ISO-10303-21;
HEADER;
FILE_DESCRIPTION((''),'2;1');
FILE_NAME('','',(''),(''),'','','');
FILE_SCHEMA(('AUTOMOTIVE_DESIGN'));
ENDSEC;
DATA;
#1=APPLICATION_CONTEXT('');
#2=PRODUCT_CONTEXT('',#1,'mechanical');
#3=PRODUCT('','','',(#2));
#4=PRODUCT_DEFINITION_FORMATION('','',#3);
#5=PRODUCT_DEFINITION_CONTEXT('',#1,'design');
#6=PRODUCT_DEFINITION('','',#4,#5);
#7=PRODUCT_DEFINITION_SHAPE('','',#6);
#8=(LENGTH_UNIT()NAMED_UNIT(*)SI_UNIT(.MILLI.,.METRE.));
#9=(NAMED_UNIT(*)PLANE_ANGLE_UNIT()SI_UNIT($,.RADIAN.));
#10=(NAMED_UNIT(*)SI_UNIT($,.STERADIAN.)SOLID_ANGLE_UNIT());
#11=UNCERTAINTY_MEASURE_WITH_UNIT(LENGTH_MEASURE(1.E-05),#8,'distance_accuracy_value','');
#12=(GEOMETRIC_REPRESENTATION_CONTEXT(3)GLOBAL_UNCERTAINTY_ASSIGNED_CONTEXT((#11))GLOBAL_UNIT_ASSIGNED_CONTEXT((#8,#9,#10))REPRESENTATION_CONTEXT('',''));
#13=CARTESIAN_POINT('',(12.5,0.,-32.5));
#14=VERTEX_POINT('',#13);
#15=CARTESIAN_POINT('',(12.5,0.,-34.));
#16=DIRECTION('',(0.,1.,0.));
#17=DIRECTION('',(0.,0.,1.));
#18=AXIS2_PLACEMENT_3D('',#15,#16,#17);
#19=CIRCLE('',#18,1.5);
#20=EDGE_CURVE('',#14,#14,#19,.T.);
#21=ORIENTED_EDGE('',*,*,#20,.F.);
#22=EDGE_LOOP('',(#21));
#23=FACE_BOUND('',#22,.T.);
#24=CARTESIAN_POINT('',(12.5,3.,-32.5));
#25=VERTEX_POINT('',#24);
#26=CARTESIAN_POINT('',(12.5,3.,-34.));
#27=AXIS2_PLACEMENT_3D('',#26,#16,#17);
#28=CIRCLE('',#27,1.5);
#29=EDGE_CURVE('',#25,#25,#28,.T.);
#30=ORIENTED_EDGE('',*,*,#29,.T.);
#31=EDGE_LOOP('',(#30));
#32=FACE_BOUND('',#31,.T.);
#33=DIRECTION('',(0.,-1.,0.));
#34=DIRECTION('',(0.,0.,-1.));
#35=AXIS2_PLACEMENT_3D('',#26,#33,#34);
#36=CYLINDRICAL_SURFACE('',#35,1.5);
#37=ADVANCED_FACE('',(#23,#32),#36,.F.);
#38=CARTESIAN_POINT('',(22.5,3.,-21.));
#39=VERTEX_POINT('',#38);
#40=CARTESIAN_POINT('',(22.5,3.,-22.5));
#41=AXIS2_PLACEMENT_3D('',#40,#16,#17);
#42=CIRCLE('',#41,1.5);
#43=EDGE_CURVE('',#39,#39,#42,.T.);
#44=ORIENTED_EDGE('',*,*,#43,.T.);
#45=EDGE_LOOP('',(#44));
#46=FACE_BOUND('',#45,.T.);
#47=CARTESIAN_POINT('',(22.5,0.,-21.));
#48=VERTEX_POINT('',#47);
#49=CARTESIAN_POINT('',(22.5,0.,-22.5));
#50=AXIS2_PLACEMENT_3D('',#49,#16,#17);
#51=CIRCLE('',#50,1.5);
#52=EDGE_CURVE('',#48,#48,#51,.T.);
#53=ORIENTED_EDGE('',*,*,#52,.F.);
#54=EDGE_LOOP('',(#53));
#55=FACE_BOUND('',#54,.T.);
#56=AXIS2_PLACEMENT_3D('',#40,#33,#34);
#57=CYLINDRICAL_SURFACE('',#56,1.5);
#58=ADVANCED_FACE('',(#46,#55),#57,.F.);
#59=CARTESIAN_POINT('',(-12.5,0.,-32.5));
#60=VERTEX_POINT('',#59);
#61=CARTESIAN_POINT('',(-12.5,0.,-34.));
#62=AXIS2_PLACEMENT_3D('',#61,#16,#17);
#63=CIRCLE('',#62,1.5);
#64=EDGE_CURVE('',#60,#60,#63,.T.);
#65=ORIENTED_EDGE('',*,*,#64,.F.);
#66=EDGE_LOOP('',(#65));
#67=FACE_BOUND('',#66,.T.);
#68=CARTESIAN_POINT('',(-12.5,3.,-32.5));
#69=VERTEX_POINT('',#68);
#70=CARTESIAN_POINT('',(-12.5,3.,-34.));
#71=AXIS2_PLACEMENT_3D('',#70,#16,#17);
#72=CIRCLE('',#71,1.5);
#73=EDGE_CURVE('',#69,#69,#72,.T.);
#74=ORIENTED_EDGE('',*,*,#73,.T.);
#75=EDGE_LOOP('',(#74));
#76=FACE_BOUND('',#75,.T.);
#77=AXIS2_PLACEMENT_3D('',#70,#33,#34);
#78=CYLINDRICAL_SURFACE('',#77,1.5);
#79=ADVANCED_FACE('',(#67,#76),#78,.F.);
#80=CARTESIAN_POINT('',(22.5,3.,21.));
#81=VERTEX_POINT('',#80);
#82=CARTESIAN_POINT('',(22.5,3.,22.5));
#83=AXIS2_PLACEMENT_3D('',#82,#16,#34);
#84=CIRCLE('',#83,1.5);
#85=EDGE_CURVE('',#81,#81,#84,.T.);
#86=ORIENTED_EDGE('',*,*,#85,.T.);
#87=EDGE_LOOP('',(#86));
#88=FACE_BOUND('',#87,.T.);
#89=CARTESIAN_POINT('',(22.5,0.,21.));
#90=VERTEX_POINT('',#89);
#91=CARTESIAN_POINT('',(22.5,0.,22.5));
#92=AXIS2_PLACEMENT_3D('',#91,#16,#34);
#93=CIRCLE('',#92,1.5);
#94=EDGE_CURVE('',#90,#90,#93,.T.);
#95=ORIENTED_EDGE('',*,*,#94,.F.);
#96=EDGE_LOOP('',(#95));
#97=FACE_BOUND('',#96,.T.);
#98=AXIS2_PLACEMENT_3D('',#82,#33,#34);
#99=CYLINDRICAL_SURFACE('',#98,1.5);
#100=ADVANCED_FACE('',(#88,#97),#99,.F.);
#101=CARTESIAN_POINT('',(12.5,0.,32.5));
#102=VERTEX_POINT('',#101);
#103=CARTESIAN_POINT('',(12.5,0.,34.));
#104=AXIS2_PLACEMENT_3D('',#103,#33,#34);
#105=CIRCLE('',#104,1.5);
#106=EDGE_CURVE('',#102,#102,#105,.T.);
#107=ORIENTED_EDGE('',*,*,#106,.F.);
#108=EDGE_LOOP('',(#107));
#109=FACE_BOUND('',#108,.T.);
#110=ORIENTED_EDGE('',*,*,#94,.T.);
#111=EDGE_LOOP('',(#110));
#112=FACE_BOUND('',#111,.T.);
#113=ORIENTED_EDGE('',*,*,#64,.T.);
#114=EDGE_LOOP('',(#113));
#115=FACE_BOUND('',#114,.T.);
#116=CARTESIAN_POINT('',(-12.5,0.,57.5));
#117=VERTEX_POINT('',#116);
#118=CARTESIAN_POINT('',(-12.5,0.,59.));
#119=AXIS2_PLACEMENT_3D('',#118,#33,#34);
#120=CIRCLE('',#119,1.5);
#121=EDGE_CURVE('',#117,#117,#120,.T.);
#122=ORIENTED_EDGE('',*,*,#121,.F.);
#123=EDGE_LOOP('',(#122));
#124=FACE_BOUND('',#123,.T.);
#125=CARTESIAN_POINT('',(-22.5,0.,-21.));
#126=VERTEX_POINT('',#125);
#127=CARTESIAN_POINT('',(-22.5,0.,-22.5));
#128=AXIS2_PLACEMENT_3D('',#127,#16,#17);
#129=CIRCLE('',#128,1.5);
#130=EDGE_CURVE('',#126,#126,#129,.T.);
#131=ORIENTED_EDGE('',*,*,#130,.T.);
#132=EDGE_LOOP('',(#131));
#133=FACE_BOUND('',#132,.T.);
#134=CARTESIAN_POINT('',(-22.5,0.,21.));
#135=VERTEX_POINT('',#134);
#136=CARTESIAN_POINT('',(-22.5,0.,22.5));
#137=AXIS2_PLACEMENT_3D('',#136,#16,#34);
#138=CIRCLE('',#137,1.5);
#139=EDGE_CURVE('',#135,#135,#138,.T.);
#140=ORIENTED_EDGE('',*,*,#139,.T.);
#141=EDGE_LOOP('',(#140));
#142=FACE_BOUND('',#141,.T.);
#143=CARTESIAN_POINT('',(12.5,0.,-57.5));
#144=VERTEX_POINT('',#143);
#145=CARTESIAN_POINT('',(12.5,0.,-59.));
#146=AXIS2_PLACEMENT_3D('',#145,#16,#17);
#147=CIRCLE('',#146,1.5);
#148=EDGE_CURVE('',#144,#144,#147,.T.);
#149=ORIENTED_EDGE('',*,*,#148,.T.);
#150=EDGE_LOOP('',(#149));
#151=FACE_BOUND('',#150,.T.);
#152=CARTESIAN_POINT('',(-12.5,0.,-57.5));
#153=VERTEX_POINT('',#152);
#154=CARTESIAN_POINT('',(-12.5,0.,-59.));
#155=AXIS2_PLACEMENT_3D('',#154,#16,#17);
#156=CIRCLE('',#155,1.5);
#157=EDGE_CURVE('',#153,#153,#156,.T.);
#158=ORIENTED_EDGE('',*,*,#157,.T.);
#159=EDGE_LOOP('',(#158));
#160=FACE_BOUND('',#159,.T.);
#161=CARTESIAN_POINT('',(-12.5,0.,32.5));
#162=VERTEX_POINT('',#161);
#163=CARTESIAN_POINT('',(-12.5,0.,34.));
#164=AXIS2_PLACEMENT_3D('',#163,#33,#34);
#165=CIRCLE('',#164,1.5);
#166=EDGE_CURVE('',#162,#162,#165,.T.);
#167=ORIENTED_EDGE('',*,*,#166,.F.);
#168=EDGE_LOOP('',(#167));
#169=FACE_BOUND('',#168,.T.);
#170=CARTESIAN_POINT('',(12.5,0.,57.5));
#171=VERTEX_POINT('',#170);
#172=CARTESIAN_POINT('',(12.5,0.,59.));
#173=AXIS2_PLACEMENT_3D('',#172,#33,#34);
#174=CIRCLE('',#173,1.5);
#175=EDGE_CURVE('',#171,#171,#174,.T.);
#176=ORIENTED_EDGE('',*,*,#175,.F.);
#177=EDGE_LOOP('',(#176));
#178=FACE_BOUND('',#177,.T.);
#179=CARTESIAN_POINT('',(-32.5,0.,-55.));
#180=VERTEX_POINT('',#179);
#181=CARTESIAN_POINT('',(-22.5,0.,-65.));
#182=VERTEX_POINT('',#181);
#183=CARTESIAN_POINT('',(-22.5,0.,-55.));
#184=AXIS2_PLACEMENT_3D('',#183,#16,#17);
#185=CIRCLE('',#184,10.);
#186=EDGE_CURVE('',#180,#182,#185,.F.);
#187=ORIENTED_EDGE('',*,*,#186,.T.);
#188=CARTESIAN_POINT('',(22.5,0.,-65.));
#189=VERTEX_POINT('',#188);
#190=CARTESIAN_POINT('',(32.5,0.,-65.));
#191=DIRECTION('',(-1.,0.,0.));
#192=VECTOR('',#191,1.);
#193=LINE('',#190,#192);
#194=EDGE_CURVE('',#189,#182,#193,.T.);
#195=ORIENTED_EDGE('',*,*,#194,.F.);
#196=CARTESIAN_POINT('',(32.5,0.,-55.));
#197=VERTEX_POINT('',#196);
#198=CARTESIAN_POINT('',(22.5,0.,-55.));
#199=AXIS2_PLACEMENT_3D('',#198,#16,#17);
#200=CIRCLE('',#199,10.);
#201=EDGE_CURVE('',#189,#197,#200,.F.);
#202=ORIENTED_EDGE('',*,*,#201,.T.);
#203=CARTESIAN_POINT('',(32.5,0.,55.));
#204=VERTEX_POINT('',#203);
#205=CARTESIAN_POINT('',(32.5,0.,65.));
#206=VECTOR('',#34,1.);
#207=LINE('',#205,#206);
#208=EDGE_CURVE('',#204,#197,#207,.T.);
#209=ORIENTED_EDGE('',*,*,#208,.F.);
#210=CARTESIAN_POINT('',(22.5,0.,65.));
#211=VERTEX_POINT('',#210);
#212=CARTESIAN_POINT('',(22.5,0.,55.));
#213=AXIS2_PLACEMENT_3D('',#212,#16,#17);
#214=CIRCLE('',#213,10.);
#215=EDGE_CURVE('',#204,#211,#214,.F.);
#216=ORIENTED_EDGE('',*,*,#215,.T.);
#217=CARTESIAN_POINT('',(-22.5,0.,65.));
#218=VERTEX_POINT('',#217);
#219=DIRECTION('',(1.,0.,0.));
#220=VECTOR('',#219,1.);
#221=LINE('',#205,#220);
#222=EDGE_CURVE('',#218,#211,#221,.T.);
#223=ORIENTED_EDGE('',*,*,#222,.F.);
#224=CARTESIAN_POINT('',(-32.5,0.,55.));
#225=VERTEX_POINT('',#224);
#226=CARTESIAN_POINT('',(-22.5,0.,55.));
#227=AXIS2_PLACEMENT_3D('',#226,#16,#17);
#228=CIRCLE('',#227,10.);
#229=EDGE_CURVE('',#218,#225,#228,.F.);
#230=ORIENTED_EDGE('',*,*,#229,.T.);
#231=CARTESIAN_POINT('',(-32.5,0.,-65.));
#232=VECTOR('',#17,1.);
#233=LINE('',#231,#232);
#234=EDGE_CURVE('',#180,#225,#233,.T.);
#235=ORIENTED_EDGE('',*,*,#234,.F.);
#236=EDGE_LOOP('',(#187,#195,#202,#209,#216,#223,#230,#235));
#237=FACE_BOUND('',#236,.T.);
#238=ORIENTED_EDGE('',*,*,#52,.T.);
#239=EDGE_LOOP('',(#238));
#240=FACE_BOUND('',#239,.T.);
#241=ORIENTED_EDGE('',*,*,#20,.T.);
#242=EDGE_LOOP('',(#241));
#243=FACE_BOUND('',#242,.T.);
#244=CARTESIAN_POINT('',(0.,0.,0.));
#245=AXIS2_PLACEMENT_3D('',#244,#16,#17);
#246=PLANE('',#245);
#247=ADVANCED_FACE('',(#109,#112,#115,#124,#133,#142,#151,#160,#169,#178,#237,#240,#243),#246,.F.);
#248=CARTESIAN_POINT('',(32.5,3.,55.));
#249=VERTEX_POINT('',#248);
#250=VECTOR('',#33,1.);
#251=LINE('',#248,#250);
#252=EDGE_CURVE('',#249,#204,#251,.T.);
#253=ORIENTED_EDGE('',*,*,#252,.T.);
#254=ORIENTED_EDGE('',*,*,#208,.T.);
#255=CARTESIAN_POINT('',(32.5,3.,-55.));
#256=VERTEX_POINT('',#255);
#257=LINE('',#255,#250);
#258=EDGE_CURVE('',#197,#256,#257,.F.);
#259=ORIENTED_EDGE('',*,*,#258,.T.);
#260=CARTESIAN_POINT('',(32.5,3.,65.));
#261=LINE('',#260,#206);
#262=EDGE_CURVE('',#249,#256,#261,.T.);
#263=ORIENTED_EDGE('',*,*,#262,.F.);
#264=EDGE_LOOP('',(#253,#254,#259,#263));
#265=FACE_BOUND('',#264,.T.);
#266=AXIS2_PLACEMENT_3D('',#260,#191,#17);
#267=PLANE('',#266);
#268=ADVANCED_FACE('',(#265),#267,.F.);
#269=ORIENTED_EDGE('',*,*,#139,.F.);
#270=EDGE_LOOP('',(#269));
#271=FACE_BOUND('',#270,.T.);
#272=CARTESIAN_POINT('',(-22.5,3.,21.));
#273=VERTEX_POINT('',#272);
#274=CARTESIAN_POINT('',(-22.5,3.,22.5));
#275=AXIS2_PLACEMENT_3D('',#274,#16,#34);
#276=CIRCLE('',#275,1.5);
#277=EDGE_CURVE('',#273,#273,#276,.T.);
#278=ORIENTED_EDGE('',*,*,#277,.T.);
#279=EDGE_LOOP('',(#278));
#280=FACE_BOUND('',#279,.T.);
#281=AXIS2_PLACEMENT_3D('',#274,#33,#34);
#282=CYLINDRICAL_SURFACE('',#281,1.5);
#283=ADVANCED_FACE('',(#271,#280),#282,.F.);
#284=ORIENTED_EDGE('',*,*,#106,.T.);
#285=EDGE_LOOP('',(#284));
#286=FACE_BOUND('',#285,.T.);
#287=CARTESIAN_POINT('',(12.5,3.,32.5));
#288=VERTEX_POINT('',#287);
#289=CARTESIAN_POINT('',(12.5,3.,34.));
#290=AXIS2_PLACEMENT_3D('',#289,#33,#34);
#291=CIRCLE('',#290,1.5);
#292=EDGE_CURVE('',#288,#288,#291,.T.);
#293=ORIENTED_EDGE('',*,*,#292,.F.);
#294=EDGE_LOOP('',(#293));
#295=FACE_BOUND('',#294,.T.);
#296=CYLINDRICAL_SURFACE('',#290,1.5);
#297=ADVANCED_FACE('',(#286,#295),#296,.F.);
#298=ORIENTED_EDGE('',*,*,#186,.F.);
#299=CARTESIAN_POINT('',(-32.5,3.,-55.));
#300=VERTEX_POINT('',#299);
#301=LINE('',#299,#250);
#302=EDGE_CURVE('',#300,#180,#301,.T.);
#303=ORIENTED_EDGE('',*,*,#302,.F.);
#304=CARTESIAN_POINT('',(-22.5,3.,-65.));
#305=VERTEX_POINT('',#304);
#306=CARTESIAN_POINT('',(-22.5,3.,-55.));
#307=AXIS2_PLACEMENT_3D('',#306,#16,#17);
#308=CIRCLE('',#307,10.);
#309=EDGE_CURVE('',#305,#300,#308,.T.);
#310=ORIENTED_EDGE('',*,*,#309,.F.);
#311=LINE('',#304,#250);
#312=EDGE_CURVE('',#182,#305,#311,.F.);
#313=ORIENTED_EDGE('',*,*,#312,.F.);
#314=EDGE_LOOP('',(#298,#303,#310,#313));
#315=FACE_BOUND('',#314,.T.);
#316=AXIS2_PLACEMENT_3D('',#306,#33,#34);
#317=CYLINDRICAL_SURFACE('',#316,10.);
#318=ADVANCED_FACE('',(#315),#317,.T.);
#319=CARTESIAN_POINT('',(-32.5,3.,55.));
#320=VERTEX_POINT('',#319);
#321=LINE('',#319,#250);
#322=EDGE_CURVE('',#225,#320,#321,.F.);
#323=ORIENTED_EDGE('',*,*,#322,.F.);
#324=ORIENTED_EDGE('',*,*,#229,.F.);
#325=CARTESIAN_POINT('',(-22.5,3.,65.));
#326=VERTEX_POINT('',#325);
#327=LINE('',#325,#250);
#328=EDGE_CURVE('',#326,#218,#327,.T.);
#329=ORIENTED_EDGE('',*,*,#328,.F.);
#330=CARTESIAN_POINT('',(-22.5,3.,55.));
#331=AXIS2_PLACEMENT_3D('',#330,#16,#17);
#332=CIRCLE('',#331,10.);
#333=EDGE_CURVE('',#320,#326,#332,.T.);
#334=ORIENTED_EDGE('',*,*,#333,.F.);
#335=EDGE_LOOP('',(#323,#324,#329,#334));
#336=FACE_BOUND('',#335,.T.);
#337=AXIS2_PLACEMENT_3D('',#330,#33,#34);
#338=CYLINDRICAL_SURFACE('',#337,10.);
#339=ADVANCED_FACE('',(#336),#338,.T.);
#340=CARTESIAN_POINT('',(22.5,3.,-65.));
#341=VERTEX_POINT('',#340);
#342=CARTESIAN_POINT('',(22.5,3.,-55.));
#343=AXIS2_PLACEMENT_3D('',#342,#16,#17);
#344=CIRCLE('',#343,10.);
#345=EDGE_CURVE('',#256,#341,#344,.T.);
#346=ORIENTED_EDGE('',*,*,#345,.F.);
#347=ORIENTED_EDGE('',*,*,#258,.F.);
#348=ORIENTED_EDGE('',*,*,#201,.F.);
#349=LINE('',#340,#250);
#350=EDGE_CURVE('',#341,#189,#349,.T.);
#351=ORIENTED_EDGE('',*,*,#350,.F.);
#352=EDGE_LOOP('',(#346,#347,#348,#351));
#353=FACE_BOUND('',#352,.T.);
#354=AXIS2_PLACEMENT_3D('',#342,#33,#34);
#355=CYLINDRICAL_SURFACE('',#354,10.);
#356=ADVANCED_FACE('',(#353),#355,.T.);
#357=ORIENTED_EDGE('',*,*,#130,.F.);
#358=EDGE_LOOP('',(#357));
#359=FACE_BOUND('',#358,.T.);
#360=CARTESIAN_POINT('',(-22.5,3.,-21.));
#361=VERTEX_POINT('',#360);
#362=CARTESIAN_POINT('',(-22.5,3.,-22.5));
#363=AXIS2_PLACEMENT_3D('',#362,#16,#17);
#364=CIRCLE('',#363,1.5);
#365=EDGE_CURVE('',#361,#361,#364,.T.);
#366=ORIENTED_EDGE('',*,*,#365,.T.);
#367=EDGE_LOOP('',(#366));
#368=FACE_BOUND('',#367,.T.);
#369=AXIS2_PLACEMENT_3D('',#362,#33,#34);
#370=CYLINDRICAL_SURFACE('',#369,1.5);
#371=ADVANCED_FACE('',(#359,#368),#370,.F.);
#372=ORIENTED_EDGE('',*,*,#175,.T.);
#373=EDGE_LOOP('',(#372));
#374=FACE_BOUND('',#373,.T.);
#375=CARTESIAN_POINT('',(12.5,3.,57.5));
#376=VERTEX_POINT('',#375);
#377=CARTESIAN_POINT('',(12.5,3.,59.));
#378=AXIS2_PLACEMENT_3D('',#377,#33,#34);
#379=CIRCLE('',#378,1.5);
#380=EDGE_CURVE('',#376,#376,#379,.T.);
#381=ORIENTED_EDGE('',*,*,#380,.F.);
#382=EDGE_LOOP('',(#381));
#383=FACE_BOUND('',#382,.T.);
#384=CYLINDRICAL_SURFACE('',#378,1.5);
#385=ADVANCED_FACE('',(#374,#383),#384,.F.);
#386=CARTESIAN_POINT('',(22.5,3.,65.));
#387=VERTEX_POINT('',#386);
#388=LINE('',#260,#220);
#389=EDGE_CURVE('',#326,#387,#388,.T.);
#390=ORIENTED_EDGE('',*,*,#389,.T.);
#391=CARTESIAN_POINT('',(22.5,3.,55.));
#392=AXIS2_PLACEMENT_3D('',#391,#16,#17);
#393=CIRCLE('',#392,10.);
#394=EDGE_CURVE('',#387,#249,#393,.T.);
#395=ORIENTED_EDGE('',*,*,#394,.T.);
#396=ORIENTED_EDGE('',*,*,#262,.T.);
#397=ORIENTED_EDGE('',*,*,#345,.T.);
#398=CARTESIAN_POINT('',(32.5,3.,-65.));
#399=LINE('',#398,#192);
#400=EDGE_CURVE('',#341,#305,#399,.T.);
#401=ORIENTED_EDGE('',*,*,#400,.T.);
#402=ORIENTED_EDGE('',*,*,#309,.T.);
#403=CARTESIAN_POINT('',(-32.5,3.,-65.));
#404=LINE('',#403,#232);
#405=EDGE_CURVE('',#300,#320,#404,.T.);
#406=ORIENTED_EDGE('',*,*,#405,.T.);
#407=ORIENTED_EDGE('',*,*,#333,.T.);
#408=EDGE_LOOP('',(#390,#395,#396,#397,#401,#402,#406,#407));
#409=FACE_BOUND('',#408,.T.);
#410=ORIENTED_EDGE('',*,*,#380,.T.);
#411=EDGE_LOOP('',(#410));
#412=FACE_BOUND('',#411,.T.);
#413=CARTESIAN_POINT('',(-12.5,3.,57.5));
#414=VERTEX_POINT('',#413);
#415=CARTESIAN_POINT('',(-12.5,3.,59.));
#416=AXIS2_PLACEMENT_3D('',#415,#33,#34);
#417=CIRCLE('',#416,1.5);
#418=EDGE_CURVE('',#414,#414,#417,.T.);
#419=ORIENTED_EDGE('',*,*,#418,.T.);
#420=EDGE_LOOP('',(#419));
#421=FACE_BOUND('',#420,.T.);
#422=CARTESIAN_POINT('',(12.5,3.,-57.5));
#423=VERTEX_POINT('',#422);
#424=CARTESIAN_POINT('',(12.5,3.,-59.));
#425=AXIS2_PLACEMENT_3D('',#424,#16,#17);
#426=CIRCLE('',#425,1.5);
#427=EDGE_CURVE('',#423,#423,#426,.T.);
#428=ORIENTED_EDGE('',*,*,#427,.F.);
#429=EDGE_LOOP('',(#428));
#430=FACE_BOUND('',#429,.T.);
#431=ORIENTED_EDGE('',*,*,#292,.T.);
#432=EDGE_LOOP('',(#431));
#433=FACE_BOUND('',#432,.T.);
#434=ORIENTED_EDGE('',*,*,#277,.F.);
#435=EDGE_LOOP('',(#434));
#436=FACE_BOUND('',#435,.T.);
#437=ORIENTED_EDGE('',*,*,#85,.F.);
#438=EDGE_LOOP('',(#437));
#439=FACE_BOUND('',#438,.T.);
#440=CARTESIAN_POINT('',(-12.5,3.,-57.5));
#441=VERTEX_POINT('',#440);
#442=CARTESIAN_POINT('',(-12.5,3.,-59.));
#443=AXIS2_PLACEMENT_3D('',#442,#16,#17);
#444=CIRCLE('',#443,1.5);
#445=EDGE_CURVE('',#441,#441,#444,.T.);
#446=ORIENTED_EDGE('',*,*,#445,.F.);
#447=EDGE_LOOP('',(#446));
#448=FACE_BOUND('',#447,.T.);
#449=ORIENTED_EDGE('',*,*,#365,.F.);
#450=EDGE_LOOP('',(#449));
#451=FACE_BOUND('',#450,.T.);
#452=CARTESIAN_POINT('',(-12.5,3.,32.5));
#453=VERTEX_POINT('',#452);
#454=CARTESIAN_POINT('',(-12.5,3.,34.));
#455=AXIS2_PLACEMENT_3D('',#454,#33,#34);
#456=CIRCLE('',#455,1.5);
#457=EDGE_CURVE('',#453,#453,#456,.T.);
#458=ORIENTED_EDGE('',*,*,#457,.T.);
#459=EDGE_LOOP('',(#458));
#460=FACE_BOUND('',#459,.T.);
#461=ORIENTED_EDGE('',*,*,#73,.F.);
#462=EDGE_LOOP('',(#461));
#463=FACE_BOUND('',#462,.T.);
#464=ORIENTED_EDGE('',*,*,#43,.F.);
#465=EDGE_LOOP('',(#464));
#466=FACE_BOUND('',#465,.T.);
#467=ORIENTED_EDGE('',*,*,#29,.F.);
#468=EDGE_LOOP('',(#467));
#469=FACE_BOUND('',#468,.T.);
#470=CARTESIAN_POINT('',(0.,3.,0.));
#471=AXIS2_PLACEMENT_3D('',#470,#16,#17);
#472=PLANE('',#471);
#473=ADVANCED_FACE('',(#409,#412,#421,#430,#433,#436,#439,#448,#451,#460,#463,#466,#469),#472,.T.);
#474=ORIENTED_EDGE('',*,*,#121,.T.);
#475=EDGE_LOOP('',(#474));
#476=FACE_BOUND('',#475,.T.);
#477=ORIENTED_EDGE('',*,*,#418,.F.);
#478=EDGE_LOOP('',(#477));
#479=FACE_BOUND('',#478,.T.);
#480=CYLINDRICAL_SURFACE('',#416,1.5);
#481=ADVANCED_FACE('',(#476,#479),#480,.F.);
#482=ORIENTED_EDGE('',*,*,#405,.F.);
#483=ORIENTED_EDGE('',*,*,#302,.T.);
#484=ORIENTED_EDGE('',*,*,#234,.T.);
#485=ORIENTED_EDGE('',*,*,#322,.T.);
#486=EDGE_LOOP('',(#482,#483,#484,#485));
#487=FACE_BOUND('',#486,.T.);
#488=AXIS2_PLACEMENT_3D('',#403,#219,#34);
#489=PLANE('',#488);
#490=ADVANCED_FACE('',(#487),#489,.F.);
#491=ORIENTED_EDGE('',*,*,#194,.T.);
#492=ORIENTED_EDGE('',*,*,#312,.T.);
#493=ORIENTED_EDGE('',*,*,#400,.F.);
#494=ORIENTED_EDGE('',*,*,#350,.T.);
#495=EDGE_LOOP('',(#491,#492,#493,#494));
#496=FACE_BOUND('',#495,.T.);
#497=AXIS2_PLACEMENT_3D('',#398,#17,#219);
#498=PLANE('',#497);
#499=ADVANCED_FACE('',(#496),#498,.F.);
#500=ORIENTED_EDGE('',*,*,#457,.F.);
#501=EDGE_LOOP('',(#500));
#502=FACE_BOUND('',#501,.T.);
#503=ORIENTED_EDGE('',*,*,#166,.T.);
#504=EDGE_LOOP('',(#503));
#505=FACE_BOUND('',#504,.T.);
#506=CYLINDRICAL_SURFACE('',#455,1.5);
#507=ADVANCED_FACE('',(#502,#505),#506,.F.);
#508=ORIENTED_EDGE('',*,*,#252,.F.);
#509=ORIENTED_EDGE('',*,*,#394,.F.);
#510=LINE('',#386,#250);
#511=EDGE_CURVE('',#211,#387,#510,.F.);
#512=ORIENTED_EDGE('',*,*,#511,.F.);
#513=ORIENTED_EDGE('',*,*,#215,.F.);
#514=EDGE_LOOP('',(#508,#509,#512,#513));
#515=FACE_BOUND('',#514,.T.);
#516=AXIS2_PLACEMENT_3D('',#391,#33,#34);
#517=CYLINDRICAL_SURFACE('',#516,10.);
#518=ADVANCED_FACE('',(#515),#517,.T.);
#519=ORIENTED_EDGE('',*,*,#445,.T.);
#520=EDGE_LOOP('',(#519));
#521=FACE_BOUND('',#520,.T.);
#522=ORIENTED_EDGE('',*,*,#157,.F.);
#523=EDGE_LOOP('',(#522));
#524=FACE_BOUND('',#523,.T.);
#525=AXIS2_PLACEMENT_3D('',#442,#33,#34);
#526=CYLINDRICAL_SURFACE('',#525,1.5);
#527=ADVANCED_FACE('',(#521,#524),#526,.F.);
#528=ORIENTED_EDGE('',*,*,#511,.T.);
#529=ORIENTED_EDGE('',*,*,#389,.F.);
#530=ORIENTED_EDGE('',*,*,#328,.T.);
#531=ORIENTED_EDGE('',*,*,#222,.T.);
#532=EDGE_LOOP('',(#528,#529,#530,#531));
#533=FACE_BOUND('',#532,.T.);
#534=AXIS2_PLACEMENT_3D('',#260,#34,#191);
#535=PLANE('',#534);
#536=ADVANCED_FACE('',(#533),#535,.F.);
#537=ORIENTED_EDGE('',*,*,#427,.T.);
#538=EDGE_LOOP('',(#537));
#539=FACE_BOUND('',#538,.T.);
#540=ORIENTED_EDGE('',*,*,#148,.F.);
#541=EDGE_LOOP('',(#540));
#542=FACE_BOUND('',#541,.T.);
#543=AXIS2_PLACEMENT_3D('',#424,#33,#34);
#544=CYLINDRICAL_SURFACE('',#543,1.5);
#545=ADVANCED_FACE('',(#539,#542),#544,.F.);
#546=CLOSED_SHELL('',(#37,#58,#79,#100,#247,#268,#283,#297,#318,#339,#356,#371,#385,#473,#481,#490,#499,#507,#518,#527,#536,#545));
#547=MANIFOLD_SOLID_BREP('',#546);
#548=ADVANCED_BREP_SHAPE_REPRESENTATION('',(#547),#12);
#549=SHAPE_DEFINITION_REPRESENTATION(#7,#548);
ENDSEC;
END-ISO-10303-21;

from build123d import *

# Parameters (mm, degrees)
SKETCH1_W           = 65
SKETCH1_H           = 130
SKETCH1_R           = 1.5
BOSS_EXTRUDE1_DEPTH = 3
SKETCH2_R           = 1.5
CUT_EXTRUDE2_DEPTH  = 73.734104793
FILLET1_R           = 10


with BuildPart() as part:
    # Sketch1 → Boss-Extrude1 (new body)
    with BuildSketch(Plane(origin=(0, 0, 0), x_dir=(1, 0, 0), z_dir=(0, 1, 0))):
        Rectangle(SKETCH1_W, SKETCH1_H)
        with Locations(Location((-22.5, 22.5, 0), (0, 0, 270))):
            Circle(SKETCH1_R, mode=Mode.SUBTRACT)
        with Locations(Location((22.5, 22.5, 0), (0, 0, 270))):
            Circle(SKETCH1_R, mode=Mode.SUBTRACT)
        with Locations(Location((-22.5, -22.5, 0), (0, 0, 90))):
            Circle(SKETCH1_R, mode=Mode.SUBTRACT)
        with Locations(Location((22.5, -22.5, 0), (0, 0, 90))):
            Circle(SKETCH1_R, mode=Mode.SUBTRACT)
    extrude(amount=BOSS_EXTRUDE1_DEPTH)

    # Sketch2 → Cut-Extrude2 (cut, through all)
    with BuildSketch(Plane(origin=(0, 0, 0), x_dir=(1, 0, 0), z_dir=(0, 1, 0))):
        with Locations(Location((-12.5, 59, 0), (0, 0, 270))):
            Circle(SKETCH2_R)
        with Locations(Location((12.5, 59, 0), (0, 0, 270))):
            Circle(SKETCH2_R)
        with Locations(Location((12.5, 34, 0), (0, 0, 270))):
            Circle(SKETCH2_R)
        with Locations(Location((-12.5, 34, 0), (0, 0, 270))):
            Circle(SKETCH2_R)
    cut_extrude2 = extrude(amount=CUT_EXTRUDE2_DEPTH, mode=Mode.SUBTRACT)

    # Mirror1: Cut-Extrude2 across plane
    add(cut_extrude2.mirror(Plane.XY), mode=Mode.SUBTRACT)

    # Fillet1
    fillet1_edges = [part.edges().sort_by_distance(p)[0] for p in [
        (32.5, 1.5, -65),
        (32.5, 1.5, 65),
        (-32.5, 1.5, 65),
        (-32.5, 1.5, -65),
    ]]
    fillet(fillet1_edges, radius=FILLET1_R)


solid = part.part
